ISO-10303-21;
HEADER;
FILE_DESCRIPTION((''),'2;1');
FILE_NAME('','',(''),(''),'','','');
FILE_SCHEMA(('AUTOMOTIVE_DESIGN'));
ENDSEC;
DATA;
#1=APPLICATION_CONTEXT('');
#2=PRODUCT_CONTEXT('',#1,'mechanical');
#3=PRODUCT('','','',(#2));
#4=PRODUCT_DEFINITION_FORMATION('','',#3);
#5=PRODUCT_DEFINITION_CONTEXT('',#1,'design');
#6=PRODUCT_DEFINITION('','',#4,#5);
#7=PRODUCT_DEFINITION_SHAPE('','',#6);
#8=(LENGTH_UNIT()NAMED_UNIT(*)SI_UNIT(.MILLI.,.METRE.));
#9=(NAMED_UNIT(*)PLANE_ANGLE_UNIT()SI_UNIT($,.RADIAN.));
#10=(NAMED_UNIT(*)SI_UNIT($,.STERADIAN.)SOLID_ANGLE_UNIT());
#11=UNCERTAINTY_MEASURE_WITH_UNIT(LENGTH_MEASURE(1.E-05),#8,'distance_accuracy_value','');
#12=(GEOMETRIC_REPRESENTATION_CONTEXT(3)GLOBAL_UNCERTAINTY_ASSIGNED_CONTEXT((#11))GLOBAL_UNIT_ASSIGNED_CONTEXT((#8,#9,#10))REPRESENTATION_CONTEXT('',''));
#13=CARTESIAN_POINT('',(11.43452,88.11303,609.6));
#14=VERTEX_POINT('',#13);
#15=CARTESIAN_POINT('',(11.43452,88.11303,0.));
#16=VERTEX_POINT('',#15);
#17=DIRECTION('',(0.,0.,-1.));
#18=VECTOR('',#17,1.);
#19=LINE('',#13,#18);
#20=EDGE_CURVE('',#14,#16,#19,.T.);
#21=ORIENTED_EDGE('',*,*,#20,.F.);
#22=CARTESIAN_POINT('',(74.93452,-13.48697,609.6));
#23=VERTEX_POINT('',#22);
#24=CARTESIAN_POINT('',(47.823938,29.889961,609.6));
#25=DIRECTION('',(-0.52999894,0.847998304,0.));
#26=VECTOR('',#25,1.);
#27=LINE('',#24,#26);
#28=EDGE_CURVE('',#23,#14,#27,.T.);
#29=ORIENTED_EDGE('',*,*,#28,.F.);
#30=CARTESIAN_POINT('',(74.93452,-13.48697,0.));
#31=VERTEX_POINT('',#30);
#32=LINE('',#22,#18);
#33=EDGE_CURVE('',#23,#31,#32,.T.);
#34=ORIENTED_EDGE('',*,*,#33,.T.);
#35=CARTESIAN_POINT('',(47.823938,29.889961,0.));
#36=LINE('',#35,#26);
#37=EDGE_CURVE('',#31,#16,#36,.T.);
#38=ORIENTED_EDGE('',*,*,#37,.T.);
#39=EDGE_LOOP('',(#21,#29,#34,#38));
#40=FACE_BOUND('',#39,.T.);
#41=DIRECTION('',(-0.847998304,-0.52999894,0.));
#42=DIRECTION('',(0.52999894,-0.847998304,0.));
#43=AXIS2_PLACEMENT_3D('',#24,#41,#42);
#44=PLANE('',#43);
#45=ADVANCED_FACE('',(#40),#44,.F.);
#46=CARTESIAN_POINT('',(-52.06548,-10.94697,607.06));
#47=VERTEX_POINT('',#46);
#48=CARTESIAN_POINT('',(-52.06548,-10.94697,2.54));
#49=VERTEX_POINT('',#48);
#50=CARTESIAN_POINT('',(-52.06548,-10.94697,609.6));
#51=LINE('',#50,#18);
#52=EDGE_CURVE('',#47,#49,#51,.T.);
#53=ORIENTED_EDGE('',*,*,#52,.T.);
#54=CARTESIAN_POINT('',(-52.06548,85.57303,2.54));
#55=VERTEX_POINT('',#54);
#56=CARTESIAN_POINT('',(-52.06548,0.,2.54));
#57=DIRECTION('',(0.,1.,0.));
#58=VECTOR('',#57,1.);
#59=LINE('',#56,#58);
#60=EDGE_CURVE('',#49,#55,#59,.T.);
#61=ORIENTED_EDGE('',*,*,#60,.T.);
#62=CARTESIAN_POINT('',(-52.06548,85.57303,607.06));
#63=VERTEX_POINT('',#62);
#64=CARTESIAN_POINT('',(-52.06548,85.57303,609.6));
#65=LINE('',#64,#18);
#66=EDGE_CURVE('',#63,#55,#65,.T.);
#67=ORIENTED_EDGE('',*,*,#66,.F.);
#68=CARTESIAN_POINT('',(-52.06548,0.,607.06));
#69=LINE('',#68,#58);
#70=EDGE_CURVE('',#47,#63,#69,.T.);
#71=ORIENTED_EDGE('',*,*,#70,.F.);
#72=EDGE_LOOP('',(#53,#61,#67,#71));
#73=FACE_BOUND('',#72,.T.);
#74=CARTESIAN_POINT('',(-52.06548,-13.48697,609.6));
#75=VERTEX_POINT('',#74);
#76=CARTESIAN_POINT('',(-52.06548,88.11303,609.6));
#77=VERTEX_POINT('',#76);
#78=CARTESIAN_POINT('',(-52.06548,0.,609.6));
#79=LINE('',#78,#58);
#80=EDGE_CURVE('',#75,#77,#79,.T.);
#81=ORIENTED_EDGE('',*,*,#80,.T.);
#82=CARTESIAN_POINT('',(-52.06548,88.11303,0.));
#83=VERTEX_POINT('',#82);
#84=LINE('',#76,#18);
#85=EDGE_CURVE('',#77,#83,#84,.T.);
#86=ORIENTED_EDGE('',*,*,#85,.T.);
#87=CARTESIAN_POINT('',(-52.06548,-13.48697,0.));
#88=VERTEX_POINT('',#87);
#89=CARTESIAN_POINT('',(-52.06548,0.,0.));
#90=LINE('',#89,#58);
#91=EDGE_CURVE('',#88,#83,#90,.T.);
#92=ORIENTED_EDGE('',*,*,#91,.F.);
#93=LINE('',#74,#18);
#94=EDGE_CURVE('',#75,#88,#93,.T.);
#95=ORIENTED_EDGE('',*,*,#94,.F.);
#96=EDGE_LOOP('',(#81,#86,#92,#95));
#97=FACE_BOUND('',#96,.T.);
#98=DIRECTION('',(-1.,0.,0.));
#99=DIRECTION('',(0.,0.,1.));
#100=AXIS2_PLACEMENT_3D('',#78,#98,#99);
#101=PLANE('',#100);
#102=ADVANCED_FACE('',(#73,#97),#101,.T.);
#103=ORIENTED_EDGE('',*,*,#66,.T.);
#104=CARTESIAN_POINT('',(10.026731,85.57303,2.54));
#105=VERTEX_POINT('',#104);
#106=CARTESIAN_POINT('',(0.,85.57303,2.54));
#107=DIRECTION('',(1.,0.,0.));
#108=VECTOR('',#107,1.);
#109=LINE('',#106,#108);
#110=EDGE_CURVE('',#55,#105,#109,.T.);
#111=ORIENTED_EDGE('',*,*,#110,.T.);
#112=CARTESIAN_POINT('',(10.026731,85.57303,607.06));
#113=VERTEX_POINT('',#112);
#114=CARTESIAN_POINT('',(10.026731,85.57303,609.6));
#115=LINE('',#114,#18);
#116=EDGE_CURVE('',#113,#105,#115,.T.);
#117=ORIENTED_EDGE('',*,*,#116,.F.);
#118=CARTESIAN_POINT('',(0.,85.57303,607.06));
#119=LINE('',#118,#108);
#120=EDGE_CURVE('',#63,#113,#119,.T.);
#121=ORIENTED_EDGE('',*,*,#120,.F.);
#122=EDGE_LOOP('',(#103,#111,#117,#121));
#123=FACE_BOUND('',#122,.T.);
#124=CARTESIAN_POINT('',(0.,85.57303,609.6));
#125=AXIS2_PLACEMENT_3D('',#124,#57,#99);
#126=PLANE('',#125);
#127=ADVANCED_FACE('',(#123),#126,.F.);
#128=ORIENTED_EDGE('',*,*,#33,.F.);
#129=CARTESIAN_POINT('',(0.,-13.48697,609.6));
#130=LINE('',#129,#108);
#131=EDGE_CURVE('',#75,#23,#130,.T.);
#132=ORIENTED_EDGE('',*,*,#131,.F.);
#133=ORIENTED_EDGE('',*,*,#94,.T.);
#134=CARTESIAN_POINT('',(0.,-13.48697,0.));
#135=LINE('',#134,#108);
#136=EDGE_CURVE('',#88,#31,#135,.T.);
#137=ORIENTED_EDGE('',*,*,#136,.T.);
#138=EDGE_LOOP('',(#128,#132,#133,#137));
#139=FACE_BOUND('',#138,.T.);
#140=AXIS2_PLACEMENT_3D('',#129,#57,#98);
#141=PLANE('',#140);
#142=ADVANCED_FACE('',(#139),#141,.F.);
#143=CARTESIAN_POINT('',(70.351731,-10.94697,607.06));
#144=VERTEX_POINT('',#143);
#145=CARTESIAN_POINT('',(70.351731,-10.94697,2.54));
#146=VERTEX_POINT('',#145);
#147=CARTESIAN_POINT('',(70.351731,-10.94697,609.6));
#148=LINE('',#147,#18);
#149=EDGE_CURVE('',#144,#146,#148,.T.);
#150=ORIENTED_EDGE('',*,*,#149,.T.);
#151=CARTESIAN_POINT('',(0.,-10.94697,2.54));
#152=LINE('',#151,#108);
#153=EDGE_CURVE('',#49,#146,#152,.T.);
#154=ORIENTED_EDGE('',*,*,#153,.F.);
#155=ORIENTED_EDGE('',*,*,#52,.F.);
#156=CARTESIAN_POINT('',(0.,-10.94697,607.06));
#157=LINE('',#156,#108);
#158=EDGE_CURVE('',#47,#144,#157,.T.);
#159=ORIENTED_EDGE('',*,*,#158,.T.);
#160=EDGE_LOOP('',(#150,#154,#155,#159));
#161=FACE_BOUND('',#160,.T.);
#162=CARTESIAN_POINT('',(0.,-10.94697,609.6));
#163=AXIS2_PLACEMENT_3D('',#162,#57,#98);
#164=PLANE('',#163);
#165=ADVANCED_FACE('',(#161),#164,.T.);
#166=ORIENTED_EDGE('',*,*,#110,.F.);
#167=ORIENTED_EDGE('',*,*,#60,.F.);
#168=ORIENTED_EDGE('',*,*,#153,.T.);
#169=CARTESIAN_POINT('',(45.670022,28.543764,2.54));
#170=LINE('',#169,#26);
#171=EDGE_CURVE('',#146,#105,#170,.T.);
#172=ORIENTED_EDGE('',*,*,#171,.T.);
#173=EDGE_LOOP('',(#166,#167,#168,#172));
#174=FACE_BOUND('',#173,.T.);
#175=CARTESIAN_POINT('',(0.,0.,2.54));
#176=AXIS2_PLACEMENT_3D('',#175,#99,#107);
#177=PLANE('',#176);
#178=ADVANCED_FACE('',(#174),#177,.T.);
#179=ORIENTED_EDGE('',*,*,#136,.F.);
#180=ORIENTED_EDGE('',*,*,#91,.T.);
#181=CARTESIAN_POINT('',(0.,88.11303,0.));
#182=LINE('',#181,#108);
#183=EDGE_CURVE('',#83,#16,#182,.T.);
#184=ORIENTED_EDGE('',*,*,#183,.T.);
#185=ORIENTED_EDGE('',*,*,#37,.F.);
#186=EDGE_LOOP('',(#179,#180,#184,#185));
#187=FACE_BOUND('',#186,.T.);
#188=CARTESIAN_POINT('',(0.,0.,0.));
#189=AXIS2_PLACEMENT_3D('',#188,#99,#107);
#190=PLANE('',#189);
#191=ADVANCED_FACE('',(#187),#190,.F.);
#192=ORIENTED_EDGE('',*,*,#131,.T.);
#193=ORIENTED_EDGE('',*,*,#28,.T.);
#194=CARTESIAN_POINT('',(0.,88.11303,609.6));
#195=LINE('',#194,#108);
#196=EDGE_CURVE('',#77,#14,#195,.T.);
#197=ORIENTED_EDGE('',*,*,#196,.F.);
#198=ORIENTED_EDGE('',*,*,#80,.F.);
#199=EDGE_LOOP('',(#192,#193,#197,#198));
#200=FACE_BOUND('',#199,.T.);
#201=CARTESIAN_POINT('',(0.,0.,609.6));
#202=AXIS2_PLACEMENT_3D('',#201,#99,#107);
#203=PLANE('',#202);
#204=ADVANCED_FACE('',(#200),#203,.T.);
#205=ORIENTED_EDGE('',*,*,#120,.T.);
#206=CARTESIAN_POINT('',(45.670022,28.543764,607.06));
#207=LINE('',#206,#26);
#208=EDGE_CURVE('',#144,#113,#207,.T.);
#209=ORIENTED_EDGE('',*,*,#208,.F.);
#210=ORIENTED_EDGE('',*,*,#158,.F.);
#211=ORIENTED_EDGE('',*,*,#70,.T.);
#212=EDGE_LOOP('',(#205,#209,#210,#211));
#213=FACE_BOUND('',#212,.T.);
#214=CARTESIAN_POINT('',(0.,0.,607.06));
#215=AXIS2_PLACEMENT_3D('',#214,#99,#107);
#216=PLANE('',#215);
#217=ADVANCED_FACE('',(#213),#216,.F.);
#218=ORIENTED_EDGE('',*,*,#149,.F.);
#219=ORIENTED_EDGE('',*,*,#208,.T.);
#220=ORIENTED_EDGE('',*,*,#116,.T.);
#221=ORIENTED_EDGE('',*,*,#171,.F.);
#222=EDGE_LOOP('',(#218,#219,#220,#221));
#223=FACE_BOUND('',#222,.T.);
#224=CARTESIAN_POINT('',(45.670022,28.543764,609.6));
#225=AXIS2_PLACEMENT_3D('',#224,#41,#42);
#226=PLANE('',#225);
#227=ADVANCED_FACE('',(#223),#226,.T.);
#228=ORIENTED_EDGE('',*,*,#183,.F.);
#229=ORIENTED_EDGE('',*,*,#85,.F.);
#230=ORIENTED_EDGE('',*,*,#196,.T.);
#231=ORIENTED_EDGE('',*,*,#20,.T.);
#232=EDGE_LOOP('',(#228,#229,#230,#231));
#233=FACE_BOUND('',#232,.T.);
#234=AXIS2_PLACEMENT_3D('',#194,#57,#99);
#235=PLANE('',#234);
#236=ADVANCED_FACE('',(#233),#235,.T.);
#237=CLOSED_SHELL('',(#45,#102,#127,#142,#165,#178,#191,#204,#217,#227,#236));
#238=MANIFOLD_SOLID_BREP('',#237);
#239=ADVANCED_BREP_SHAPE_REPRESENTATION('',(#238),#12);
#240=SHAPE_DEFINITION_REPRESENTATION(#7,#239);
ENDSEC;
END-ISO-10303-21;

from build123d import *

# Parameters (mm, degrees)
BOSS_EXTRUDE1_DEPTH = 609.6
SHELL2_T            = -2.54


with BuildPart() as part:
    # Sketch2 → Boss-Extrude1 (new body)
    with BuildSketch(Plane.XY):
        Polygon((-52.065480427, -13.486969945), (74.934519573, -13.486969945), (11.434519573, 88.113030055), (-52.065480427, 88.113030055), (-52.065480427, 37.313030055), align=None)
    extrude(amount=BOSS_EXTRUDE1_DEPTH)

    # Shell2
    shell2_openings = [part.faces().sort_by_distance(p)[0] for p in [
        (-52.065480427, 37.313030055, 304.8),
    ]]
    offset(amount=SHELL2_T, openings=shell2_openings, kind=Kind.INTERSECTION)


solid = part.part
